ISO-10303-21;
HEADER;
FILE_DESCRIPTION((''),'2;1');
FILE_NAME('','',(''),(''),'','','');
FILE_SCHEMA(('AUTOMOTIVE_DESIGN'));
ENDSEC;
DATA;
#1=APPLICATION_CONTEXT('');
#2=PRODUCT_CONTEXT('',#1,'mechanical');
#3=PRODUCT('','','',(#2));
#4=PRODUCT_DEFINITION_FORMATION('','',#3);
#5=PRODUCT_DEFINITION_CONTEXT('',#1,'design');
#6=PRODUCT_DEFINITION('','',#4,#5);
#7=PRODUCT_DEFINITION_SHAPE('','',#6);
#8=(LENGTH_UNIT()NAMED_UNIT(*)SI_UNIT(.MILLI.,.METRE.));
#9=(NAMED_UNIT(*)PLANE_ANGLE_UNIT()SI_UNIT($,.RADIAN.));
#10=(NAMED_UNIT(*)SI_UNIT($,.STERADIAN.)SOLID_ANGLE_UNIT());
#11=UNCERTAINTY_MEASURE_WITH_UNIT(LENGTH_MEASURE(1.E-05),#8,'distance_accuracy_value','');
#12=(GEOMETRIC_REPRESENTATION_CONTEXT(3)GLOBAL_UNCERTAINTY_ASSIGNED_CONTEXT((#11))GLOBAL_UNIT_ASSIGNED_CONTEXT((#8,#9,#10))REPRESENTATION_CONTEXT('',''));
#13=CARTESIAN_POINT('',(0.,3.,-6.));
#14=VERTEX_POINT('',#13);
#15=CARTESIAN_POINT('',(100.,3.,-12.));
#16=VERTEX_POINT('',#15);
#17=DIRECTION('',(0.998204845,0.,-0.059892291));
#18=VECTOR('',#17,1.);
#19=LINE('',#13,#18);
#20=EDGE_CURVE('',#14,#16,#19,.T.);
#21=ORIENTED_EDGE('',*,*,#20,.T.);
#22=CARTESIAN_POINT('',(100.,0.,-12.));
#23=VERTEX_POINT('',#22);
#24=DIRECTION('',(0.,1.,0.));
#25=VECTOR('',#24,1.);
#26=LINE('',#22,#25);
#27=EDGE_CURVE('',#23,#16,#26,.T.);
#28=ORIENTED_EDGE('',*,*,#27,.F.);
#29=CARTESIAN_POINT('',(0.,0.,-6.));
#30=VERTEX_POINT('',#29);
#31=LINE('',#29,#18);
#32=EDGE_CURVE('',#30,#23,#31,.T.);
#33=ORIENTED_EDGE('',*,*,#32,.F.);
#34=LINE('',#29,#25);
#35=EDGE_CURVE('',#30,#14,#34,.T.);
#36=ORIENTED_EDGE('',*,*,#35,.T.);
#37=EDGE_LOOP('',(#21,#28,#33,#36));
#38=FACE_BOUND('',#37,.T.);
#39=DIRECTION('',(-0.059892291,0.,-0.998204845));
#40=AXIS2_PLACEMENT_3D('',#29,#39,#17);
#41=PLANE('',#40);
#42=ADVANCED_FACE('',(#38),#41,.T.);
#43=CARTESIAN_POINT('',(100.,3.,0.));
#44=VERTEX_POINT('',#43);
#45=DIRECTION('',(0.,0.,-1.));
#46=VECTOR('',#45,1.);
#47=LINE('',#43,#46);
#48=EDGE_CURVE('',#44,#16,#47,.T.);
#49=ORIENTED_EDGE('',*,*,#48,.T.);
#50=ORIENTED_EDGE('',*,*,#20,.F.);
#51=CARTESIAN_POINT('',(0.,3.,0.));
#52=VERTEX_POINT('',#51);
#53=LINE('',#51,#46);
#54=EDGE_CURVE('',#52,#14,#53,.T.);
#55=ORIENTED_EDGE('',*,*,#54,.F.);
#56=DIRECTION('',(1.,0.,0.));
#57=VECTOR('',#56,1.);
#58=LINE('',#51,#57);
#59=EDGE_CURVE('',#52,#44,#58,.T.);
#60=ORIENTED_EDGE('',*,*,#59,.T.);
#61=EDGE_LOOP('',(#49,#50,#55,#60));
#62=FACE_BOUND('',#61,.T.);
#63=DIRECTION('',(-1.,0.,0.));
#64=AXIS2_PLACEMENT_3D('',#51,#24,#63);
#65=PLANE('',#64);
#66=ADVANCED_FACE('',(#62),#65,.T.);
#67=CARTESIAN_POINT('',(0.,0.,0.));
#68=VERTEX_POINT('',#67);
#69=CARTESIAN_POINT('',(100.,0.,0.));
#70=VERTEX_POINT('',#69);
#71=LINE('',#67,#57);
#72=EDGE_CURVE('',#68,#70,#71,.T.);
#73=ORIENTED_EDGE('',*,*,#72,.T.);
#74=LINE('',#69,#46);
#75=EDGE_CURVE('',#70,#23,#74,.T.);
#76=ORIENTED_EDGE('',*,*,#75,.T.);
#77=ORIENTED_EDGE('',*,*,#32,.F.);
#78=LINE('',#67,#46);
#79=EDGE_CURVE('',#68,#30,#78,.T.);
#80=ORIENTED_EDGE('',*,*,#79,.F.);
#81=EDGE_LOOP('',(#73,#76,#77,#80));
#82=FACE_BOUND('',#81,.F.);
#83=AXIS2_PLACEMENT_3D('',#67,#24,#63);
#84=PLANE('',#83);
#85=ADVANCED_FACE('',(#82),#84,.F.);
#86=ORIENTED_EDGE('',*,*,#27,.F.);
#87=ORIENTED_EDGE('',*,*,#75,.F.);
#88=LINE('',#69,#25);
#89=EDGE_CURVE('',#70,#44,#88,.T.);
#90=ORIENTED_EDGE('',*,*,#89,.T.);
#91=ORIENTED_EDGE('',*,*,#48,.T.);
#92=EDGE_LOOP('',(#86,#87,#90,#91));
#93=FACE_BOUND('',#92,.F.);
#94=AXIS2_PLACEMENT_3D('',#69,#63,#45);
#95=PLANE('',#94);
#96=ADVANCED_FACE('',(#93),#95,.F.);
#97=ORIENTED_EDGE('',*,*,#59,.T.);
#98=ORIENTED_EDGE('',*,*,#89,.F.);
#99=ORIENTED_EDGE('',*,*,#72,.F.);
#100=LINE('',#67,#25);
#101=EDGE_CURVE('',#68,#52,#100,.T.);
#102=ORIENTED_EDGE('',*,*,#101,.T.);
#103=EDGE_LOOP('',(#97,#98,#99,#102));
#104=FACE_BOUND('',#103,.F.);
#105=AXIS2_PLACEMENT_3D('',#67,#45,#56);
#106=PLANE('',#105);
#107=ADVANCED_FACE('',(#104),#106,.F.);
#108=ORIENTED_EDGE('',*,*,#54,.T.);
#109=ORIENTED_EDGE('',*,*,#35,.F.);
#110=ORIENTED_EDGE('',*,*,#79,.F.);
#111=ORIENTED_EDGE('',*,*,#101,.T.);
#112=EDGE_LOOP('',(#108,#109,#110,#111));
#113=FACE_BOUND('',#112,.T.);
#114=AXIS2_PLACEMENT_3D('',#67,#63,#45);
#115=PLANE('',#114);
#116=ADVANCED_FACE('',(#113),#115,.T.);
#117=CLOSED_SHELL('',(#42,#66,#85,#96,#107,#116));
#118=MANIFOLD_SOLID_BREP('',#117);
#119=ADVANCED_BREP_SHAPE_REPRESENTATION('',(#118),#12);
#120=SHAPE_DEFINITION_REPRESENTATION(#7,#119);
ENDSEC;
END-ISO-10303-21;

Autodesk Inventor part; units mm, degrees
ref_plane "YZ Plane" through (0, 0, 0) normal (1, 0, 0) x (0, 1, 0)
ref_plane "XZ Plane" through (0, 0, 0) normal (0, 1, 0) x (-1, 0, 0)
ref_plane "XY Plane" through (0, 0, 0) normal (0, 0, 1) x (1, 0, 0)
sketch "Sketch1" plane through (0, 0, 0) normal (0, 1, 0) x (-1, 0, 0)
  line L0 (0, 0) -> (-100, 0)
  line L1 (-100, 0) -> (-100, -12)
  line L2 (0, 0) -> (0, -6)
  line L3 (0, -6) -> (-100, -12)
  dimension "d0" = 100
  dimension "d1" = 12
  dimension "d2" = 6
extrude "Extrusion1" add sketch "Sketch1" along normal blind 3
properties part number "ball-reload-ramp"
